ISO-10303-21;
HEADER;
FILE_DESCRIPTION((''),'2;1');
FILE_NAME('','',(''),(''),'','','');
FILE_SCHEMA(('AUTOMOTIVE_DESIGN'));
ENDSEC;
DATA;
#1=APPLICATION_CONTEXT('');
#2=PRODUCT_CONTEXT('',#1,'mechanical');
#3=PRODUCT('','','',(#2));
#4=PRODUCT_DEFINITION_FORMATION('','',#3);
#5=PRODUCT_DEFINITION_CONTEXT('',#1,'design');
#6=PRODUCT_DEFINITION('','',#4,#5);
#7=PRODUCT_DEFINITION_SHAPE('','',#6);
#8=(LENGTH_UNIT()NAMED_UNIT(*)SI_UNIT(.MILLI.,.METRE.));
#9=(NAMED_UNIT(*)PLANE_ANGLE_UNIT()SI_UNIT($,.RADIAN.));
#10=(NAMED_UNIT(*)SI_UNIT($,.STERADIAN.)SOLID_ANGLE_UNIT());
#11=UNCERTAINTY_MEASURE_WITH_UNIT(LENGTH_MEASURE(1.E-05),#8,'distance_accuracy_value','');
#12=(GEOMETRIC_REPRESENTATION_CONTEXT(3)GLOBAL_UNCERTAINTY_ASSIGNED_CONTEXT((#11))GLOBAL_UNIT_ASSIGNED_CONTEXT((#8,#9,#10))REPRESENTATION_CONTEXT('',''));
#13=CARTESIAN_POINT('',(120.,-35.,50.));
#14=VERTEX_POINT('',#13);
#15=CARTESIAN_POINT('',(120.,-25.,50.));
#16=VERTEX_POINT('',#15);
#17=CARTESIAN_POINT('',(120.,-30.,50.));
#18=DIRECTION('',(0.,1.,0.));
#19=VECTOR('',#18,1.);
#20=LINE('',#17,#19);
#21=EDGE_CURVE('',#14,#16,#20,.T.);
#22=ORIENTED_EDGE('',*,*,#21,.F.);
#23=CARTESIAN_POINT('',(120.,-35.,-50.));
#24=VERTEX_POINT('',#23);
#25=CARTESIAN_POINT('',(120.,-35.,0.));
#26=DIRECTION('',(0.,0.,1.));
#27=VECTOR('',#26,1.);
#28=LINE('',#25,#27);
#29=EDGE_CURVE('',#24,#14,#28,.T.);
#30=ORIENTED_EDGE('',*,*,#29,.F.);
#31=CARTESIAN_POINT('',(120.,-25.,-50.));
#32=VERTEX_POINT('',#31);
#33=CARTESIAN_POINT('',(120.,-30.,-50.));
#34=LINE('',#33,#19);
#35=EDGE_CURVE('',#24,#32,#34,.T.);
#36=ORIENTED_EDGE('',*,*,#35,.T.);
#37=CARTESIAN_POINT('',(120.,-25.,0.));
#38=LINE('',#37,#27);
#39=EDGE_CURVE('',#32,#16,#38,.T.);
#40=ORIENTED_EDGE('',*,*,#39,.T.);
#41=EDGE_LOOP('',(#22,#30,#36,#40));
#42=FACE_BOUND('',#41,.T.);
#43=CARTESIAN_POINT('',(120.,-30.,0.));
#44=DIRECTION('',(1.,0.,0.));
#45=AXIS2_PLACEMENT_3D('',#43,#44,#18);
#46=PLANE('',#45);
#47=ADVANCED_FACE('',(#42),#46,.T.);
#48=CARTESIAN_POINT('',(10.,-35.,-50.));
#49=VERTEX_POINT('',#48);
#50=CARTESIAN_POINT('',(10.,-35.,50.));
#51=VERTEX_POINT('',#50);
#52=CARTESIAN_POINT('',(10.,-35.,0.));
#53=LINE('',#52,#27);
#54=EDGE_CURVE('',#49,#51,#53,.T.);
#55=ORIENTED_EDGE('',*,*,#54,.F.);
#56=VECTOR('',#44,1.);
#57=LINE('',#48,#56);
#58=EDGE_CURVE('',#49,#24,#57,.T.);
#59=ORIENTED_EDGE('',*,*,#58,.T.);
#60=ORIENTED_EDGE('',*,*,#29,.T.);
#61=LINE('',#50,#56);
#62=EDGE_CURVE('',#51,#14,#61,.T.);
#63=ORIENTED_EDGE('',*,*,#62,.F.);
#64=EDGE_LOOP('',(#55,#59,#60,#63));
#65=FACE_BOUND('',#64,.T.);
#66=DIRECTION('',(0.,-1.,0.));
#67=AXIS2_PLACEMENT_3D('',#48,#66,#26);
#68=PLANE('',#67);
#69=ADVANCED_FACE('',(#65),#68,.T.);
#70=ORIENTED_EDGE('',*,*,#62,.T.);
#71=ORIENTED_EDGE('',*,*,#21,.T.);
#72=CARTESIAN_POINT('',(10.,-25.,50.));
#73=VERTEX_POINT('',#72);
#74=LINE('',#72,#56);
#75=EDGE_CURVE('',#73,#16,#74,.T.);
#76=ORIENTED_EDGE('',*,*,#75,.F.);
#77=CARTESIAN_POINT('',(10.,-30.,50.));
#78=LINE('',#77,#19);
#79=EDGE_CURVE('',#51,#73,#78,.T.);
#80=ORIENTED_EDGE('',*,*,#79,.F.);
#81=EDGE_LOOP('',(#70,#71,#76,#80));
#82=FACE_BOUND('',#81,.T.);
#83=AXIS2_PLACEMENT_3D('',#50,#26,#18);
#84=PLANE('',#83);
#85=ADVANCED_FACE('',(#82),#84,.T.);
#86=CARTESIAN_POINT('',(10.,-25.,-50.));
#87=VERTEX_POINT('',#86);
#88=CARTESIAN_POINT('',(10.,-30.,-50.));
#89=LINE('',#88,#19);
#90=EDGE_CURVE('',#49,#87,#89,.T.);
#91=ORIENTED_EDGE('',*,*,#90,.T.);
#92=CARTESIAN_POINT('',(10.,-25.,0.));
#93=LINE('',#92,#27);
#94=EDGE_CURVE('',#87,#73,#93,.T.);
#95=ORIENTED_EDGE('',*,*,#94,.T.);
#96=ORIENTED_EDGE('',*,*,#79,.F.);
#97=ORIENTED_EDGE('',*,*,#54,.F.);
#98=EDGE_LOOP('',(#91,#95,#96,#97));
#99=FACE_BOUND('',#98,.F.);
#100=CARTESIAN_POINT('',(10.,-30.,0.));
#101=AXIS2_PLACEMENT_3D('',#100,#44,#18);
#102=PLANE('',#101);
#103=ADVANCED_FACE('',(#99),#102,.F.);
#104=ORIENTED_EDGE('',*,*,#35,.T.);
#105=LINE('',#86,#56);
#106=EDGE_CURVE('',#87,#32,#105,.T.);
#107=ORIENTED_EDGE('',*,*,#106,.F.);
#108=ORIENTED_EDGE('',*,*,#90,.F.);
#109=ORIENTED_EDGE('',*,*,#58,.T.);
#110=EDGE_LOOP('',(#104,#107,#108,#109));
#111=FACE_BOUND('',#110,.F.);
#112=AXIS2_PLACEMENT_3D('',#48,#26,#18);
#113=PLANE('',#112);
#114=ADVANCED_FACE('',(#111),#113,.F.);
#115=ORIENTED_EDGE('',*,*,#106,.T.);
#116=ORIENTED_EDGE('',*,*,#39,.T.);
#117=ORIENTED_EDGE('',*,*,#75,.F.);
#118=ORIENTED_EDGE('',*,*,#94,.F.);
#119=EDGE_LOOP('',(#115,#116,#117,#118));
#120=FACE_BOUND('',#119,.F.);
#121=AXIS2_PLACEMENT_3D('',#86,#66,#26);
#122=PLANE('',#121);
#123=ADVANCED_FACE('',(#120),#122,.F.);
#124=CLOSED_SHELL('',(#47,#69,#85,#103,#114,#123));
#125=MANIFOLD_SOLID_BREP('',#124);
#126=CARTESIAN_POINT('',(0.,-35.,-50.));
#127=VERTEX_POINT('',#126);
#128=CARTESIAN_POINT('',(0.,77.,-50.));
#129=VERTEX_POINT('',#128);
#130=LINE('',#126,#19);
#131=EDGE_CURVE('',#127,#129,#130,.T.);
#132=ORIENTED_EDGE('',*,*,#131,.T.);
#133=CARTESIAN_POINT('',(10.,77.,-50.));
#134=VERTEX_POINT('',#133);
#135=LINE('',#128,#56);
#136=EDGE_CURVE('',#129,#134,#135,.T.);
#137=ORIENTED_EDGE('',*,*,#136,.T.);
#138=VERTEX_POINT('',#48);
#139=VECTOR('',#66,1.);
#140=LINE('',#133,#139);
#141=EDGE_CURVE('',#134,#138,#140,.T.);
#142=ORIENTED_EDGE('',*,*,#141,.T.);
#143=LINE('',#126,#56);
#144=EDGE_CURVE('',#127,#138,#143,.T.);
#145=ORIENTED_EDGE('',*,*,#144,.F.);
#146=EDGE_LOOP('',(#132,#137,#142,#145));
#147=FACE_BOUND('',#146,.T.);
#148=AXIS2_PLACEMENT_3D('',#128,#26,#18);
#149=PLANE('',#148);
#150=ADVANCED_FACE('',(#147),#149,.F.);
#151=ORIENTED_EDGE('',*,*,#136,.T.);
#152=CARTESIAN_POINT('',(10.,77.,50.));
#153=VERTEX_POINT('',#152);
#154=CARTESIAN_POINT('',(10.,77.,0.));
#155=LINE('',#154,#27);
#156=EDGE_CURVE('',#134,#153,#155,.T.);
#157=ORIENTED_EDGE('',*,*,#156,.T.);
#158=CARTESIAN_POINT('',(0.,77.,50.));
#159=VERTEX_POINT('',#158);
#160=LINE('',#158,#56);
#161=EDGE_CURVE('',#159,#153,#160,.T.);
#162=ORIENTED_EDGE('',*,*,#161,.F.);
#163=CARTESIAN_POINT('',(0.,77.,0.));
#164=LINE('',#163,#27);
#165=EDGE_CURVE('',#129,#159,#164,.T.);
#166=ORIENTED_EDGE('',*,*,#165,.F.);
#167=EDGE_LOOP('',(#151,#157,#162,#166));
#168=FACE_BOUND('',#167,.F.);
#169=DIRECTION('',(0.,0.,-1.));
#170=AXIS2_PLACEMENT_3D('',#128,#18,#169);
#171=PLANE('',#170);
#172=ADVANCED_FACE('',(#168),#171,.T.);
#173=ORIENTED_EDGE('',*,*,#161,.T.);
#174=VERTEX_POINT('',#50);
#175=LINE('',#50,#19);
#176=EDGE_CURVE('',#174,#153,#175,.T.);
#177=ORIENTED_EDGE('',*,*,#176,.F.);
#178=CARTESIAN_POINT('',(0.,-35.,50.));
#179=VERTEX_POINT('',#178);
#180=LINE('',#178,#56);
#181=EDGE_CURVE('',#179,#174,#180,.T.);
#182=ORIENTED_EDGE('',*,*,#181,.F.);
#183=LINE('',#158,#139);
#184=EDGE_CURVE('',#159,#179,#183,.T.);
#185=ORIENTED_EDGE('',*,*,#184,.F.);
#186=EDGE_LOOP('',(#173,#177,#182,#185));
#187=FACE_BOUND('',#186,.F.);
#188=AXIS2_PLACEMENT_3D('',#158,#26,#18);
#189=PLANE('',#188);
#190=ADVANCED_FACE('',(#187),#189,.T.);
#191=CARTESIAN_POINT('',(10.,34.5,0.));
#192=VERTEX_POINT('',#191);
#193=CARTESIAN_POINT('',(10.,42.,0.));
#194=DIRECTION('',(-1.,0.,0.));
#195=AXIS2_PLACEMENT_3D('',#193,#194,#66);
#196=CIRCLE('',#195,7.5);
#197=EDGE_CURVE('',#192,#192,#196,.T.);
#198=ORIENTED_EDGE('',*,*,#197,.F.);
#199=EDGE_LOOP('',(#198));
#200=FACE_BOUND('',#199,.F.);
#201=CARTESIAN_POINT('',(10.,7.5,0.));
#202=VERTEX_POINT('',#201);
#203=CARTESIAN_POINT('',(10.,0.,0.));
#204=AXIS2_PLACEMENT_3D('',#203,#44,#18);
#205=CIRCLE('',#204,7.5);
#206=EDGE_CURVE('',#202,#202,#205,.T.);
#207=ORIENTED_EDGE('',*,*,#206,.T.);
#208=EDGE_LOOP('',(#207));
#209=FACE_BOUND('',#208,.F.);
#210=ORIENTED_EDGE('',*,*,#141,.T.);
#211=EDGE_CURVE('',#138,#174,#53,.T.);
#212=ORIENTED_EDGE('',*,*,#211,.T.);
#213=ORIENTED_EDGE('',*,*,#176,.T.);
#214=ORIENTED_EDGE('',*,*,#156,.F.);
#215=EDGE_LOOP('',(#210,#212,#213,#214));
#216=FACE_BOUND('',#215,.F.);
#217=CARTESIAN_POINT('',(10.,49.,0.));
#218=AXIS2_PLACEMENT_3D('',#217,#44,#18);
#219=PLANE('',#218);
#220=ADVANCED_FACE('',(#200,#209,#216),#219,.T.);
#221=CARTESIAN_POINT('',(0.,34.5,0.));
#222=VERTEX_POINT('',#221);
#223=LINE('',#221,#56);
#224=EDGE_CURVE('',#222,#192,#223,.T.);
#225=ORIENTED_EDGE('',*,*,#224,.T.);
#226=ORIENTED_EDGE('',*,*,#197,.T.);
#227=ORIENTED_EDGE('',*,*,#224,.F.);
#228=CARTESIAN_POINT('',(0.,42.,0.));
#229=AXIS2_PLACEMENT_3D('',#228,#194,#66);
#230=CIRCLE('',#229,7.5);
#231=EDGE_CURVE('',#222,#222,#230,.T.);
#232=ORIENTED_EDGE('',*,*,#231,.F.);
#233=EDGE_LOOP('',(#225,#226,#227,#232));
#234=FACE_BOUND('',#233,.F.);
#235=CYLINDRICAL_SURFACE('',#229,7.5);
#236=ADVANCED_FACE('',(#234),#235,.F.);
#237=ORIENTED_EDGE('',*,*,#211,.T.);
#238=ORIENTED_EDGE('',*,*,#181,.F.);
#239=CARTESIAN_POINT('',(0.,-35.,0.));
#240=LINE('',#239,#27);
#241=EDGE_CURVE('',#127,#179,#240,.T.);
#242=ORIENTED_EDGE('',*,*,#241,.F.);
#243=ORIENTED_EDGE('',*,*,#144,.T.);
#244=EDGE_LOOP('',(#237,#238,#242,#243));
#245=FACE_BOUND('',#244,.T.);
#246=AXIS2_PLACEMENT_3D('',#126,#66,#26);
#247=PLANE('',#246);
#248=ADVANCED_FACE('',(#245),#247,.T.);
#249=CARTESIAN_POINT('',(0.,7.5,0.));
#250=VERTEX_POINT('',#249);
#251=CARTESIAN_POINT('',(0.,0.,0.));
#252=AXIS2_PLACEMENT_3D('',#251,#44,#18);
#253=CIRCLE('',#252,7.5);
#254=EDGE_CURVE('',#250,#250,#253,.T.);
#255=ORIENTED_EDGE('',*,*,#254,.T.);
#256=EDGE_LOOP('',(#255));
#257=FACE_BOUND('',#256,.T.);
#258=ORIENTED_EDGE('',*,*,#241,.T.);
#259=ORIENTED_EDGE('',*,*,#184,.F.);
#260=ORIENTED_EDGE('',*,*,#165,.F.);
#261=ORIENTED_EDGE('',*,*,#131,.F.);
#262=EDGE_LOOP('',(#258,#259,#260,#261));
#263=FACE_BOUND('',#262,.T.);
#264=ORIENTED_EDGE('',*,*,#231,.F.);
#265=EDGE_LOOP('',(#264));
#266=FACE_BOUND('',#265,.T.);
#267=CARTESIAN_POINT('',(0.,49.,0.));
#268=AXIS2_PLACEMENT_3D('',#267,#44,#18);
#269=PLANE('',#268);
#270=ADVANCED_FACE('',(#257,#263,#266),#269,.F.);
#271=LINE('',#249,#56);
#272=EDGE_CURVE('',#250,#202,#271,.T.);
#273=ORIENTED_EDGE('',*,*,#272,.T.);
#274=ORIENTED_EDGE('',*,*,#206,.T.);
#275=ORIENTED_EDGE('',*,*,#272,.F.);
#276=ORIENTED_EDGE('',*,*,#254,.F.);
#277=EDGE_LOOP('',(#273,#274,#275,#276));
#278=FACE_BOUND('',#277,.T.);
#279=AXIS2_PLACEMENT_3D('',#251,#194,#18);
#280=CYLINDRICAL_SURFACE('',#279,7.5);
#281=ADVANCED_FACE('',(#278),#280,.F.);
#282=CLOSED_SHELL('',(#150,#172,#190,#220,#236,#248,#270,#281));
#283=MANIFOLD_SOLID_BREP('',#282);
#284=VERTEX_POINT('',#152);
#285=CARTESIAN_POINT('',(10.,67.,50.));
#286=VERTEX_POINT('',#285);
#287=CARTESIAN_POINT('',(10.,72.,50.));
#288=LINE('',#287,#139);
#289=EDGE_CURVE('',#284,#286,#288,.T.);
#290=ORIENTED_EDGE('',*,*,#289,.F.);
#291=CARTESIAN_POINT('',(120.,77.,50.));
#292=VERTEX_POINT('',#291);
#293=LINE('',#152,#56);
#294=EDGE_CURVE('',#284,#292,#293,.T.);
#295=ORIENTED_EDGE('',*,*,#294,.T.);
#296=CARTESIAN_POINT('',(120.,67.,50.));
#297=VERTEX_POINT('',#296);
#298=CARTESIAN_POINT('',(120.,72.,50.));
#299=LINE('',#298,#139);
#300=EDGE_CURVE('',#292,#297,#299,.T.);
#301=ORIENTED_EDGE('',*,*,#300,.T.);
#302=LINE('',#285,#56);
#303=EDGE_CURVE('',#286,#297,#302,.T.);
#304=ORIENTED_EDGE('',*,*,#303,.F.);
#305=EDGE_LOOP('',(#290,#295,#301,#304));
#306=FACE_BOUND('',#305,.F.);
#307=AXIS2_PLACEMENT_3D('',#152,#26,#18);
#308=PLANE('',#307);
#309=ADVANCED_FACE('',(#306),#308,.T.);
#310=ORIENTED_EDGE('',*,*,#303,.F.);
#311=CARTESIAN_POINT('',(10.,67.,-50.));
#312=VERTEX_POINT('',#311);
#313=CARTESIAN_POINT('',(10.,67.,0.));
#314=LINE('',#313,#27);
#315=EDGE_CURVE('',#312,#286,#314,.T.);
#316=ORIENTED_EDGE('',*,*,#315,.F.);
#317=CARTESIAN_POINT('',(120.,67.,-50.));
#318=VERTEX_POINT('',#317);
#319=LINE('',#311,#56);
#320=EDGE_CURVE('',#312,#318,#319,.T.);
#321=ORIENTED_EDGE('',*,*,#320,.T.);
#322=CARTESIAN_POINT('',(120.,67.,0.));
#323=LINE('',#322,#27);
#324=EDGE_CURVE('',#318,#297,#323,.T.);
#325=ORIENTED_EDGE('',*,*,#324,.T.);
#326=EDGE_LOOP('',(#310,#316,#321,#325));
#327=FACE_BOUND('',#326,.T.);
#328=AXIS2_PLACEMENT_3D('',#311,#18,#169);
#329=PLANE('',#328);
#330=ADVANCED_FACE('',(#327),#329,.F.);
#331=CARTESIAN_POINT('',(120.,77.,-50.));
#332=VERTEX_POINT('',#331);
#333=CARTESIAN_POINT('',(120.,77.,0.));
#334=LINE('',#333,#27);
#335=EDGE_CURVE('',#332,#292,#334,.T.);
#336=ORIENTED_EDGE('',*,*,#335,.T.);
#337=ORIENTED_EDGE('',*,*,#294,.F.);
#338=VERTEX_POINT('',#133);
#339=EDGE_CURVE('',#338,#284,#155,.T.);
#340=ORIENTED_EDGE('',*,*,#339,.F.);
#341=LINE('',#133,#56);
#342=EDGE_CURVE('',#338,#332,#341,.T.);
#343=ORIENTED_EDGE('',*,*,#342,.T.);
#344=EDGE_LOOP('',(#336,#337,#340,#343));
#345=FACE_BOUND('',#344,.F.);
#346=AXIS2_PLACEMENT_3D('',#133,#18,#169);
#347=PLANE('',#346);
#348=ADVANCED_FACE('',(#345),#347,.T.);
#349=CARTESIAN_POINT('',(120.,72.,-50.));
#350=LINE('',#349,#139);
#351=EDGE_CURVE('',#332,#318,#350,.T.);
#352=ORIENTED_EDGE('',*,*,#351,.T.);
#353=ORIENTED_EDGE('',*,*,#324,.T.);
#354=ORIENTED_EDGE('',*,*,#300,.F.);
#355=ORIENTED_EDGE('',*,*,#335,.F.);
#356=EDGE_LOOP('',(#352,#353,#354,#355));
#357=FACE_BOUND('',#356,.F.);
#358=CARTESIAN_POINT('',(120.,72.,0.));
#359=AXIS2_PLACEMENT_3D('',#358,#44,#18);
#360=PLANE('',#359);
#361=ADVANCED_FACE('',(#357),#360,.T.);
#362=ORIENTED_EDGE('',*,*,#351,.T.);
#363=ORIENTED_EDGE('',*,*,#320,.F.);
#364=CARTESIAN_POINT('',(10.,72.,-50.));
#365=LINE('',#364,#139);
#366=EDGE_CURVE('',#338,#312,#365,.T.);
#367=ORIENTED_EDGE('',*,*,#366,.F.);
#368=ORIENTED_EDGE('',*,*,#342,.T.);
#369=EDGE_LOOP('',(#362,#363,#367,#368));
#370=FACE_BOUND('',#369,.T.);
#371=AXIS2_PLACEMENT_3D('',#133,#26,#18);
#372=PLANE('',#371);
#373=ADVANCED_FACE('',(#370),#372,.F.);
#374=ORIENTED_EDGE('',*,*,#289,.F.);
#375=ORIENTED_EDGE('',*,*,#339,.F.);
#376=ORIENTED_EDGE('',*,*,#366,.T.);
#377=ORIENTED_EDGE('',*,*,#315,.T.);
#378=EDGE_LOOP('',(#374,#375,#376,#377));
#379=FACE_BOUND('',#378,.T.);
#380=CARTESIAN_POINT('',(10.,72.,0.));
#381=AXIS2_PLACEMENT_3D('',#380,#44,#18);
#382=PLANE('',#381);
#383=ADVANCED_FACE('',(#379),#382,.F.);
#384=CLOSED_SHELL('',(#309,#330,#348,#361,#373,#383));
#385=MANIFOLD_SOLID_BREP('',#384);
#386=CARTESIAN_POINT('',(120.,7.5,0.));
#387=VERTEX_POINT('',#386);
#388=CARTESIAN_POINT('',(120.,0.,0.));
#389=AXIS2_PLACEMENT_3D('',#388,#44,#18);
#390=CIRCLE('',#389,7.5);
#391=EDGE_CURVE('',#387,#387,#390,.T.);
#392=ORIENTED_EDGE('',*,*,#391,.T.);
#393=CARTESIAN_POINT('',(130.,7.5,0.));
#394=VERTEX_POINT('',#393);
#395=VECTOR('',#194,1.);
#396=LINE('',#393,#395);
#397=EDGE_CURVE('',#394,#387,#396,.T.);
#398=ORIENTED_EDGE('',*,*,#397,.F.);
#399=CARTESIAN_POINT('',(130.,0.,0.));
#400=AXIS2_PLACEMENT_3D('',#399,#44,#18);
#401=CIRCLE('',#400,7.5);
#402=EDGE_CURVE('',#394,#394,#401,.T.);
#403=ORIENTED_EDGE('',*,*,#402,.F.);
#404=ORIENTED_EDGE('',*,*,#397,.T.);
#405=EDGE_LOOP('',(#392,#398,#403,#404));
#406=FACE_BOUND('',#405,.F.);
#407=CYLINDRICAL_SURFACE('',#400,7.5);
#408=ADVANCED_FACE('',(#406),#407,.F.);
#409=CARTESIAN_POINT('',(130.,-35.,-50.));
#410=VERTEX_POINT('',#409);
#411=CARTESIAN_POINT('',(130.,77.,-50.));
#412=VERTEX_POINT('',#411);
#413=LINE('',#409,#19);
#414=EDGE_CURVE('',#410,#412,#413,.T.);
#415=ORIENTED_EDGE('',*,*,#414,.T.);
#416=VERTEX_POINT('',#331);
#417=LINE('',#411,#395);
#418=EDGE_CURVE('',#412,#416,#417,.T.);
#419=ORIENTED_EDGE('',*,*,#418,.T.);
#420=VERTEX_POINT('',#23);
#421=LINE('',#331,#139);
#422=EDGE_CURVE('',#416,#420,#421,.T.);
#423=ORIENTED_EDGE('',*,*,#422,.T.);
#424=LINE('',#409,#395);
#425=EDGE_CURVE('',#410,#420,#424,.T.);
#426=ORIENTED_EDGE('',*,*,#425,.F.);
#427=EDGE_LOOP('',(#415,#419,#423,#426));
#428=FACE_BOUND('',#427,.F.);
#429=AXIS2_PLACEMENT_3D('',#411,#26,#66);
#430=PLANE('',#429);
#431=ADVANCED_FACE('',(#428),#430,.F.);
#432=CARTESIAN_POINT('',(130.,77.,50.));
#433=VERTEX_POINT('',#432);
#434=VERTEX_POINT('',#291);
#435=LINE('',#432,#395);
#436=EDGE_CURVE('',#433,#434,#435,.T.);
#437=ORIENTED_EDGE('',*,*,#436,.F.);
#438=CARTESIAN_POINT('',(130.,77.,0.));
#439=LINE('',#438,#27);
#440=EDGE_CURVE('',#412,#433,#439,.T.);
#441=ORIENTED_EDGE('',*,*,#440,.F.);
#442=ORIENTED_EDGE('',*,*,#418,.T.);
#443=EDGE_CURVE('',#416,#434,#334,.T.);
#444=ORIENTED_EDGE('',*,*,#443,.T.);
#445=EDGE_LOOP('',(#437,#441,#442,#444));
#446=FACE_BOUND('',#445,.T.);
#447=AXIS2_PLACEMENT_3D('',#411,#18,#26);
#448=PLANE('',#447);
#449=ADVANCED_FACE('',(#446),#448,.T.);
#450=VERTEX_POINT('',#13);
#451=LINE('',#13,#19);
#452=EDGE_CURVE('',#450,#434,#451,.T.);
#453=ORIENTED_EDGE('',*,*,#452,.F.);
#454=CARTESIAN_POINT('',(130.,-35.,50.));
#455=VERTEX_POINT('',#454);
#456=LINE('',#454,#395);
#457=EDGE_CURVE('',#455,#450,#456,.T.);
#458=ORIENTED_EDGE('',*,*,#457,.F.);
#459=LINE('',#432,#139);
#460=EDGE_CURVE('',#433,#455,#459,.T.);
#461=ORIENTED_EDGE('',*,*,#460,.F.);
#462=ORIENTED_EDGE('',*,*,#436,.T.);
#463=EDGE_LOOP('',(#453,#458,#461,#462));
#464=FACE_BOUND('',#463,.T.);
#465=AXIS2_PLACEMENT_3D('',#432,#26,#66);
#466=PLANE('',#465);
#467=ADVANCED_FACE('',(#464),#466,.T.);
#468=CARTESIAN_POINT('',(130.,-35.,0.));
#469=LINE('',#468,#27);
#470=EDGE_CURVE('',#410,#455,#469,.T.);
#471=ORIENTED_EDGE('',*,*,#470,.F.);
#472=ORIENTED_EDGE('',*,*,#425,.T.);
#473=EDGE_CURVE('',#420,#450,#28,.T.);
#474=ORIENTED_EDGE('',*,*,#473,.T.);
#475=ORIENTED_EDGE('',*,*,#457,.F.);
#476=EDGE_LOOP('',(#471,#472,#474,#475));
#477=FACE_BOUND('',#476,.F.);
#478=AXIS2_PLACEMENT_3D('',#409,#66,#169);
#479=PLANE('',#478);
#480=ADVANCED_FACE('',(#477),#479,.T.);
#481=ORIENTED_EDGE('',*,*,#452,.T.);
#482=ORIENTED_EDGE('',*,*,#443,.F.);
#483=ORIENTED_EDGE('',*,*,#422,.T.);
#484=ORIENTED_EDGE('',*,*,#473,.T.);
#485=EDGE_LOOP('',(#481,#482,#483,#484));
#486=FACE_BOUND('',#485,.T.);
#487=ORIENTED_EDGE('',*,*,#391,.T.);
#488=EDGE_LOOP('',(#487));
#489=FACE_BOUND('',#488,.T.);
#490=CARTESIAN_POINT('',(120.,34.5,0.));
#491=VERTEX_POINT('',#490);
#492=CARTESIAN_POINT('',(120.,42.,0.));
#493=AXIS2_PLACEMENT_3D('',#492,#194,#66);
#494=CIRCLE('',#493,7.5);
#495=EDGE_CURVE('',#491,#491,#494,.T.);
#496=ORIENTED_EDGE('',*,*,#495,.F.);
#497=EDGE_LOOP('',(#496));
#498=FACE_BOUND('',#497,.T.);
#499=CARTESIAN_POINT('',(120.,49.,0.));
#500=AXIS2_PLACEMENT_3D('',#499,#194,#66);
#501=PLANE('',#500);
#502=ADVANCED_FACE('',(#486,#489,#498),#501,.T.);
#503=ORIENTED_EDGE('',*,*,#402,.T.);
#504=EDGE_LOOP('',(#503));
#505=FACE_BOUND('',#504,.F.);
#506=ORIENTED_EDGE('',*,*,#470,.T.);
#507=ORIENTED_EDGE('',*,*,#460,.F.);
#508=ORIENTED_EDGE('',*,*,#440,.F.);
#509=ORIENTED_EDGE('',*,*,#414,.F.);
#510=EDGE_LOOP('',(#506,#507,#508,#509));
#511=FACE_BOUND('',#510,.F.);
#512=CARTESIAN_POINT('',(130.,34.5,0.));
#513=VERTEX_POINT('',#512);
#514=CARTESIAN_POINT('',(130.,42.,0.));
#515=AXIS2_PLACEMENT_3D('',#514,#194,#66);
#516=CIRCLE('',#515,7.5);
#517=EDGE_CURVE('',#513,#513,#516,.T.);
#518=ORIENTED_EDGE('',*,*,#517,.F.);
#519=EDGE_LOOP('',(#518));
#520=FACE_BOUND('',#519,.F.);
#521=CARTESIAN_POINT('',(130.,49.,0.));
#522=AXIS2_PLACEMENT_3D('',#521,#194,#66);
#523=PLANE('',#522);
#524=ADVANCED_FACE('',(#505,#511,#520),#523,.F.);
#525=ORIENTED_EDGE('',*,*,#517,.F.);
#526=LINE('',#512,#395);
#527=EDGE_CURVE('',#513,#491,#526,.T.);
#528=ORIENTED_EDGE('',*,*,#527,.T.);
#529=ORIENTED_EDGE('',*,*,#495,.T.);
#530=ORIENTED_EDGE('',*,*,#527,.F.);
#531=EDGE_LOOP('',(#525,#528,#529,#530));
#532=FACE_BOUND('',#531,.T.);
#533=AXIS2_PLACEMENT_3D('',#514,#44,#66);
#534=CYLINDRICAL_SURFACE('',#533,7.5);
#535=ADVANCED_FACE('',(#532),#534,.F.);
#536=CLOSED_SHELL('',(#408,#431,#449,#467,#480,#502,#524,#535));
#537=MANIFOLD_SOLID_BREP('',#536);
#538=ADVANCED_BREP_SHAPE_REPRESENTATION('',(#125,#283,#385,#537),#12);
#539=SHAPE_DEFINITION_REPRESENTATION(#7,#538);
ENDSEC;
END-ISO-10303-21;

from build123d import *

# Parameters (mm, degrees)
F0_W     = 56
F0_H     = 100
F0_R     = 7.5
F1_DEPTH = 10
F3_W     = 10
F3_H     = 100
F4_DEPTH = 110


with BuildPart() as f1:
    # F0 (on Right) → F1 (new body)
    with BuildSketch(Plane.YZ):
        with Locations((-7, 0)):
            Rectangle(F0_W, F0_H)
        Circle(F0_R, mode=Mode.SUBTRACT)
    extrude(amount=F1_DEPTH)

    # F2: F1 across face


with BuildPart() as f1_1:
    add(f1.part)
    add(f1.part.mirror(Plane(origin=(5, 21, 0), x_dir=(-1, 0, 0), z_dir=(0, 1, 0))))


with BuildPart() as f4:
    # F3 (on face) → F4 (new body)
    with BuildSketch(Plane.YZ.offset(10)):
        with Locations((-30, 0)):
            Rectangle(F3_W, F3_H)
    extrude(amount=F4_DEPTH)


with BuildPart() as f6_1:
    # F6: instance of F4
    add(f4.part.mirror(Plane(origin=(5, 21, 0), x_dir=(-1, 0, 0), z_dir=(0, 1, 0))))


with BuildPart() as f8_1:
    # F8: instance of F1
    add(f1_1.part.mirror(Plane(origin=(65, -4.5, 0), x_dir=(0, 1, 0), z_dir=(1, 0, 0))))


solid = Compound([f1_1.part, f4.part, f6_1.part, f8_1.part])
